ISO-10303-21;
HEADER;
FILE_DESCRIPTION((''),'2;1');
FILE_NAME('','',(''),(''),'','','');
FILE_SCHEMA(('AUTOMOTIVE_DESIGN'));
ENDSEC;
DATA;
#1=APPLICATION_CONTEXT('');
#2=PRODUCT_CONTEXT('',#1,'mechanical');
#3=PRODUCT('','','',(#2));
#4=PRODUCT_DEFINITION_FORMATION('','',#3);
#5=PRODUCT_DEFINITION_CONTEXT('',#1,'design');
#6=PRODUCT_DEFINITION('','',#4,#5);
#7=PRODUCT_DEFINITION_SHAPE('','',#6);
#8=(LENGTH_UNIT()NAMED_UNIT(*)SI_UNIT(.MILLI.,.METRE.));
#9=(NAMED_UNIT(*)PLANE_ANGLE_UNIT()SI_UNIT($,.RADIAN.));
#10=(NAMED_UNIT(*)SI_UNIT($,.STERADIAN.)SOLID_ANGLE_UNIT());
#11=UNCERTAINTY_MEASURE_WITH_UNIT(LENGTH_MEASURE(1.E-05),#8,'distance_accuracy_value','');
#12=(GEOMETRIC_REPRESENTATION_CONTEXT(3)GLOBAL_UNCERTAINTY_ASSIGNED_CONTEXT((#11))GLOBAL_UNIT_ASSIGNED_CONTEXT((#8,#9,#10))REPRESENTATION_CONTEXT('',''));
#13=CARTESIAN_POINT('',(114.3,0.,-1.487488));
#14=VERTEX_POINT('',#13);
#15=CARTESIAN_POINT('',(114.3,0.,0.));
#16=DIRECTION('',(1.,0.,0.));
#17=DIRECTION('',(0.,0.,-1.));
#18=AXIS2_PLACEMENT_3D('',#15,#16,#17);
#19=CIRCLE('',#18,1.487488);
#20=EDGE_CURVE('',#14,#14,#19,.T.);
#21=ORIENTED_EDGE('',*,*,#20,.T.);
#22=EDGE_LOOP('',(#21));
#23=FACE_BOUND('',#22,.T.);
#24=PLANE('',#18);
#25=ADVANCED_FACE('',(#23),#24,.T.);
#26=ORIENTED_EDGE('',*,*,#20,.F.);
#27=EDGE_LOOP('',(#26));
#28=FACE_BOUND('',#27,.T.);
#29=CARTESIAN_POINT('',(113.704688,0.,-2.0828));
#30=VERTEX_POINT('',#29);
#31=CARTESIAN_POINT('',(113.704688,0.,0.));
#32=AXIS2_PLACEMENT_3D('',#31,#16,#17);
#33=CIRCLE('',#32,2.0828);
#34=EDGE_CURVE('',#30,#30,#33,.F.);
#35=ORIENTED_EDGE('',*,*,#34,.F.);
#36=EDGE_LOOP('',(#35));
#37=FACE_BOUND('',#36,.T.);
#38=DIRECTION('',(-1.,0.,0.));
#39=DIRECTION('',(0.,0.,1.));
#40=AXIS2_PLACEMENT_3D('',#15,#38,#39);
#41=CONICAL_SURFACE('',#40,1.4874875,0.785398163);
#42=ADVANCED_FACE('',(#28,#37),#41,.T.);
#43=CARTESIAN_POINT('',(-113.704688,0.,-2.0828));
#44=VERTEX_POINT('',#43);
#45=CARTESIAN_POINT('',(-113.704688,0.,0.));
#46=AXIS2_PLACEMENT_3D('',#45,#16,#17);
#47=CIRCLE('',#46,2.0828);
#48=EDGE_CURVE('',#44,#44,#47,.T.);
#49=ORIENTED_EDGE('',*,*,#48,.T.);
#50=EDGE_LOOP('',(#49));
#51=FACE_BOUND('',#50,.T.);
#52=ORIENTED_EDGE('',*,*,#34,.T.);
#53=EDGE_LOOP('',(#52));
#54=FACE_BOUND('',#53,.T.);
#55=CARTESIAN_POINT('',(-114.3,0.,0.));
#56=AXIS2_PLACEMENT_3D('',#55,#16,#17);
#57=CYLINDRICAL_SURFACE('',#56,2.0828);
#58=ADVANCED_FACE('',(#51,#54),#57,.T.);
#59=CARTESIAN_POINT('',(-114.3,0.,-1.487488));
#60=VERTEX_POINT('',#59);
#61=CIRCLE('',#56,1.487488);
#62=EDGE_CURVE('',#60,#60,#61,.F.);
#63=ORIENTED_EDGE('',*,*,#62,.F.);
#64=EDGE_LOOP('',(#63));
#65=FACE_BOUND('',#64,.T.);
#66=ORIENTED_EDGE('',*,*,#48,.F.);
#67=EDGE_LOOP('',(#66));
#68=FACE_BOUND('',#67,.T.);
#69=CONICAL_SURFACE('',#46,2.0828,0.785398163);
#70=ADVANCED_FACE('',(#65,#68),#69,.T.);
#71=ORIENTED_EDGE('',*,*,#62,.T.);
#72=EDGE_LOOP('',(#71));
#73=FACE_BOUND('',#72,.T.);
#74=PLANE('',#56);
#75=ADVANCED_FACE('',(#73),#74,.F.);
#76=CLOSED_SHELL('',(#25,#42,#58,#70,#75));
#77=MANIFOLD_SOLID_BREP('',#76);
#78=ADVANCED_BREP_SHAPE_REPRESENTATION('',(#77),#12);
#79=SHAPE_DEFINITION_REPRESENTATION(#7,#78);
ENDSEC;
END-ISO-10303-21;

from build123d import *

# Parameters (mm, degrees)
BOSS_EXTRUDE1_DEPTH      = 114.3
BOSS_EXTRUDE1_DEPTH_BACK = 114.3
SKETCH2_R                = 2.0828
CHAMFER1_SIZE            = 0.5953125


with BuildPart() as part:
    # Sketch2 → Boss-Extrude1 (new, two sides: drawn at the far end of the back side and taken through both)
    with BuildSketch(Plane(origin=(0, 0, 0), x_dir=(0, 0, -1), z_dir=(1, 0, 0)).offset(-BOSS_EXTRUDE1_DEPTH_BACK)):
        Circle(SKETCH2_R)
    extrude(amount=BOSS_EXTRUDE1_DEPTH + BOSS_EXTRUDE1_DEPTH_BACK)

    # Chamfer1
    chamfer1_edges = [part.edges().sort_by_distance(p)[0] for p in [
        (-114.3, 0, 2.0828),
        (114.3, 0, 2.0828),
    ]]
    chamfer(chamfer1_edges, length=CHAMFER1_SIZE)


solid = part.part
